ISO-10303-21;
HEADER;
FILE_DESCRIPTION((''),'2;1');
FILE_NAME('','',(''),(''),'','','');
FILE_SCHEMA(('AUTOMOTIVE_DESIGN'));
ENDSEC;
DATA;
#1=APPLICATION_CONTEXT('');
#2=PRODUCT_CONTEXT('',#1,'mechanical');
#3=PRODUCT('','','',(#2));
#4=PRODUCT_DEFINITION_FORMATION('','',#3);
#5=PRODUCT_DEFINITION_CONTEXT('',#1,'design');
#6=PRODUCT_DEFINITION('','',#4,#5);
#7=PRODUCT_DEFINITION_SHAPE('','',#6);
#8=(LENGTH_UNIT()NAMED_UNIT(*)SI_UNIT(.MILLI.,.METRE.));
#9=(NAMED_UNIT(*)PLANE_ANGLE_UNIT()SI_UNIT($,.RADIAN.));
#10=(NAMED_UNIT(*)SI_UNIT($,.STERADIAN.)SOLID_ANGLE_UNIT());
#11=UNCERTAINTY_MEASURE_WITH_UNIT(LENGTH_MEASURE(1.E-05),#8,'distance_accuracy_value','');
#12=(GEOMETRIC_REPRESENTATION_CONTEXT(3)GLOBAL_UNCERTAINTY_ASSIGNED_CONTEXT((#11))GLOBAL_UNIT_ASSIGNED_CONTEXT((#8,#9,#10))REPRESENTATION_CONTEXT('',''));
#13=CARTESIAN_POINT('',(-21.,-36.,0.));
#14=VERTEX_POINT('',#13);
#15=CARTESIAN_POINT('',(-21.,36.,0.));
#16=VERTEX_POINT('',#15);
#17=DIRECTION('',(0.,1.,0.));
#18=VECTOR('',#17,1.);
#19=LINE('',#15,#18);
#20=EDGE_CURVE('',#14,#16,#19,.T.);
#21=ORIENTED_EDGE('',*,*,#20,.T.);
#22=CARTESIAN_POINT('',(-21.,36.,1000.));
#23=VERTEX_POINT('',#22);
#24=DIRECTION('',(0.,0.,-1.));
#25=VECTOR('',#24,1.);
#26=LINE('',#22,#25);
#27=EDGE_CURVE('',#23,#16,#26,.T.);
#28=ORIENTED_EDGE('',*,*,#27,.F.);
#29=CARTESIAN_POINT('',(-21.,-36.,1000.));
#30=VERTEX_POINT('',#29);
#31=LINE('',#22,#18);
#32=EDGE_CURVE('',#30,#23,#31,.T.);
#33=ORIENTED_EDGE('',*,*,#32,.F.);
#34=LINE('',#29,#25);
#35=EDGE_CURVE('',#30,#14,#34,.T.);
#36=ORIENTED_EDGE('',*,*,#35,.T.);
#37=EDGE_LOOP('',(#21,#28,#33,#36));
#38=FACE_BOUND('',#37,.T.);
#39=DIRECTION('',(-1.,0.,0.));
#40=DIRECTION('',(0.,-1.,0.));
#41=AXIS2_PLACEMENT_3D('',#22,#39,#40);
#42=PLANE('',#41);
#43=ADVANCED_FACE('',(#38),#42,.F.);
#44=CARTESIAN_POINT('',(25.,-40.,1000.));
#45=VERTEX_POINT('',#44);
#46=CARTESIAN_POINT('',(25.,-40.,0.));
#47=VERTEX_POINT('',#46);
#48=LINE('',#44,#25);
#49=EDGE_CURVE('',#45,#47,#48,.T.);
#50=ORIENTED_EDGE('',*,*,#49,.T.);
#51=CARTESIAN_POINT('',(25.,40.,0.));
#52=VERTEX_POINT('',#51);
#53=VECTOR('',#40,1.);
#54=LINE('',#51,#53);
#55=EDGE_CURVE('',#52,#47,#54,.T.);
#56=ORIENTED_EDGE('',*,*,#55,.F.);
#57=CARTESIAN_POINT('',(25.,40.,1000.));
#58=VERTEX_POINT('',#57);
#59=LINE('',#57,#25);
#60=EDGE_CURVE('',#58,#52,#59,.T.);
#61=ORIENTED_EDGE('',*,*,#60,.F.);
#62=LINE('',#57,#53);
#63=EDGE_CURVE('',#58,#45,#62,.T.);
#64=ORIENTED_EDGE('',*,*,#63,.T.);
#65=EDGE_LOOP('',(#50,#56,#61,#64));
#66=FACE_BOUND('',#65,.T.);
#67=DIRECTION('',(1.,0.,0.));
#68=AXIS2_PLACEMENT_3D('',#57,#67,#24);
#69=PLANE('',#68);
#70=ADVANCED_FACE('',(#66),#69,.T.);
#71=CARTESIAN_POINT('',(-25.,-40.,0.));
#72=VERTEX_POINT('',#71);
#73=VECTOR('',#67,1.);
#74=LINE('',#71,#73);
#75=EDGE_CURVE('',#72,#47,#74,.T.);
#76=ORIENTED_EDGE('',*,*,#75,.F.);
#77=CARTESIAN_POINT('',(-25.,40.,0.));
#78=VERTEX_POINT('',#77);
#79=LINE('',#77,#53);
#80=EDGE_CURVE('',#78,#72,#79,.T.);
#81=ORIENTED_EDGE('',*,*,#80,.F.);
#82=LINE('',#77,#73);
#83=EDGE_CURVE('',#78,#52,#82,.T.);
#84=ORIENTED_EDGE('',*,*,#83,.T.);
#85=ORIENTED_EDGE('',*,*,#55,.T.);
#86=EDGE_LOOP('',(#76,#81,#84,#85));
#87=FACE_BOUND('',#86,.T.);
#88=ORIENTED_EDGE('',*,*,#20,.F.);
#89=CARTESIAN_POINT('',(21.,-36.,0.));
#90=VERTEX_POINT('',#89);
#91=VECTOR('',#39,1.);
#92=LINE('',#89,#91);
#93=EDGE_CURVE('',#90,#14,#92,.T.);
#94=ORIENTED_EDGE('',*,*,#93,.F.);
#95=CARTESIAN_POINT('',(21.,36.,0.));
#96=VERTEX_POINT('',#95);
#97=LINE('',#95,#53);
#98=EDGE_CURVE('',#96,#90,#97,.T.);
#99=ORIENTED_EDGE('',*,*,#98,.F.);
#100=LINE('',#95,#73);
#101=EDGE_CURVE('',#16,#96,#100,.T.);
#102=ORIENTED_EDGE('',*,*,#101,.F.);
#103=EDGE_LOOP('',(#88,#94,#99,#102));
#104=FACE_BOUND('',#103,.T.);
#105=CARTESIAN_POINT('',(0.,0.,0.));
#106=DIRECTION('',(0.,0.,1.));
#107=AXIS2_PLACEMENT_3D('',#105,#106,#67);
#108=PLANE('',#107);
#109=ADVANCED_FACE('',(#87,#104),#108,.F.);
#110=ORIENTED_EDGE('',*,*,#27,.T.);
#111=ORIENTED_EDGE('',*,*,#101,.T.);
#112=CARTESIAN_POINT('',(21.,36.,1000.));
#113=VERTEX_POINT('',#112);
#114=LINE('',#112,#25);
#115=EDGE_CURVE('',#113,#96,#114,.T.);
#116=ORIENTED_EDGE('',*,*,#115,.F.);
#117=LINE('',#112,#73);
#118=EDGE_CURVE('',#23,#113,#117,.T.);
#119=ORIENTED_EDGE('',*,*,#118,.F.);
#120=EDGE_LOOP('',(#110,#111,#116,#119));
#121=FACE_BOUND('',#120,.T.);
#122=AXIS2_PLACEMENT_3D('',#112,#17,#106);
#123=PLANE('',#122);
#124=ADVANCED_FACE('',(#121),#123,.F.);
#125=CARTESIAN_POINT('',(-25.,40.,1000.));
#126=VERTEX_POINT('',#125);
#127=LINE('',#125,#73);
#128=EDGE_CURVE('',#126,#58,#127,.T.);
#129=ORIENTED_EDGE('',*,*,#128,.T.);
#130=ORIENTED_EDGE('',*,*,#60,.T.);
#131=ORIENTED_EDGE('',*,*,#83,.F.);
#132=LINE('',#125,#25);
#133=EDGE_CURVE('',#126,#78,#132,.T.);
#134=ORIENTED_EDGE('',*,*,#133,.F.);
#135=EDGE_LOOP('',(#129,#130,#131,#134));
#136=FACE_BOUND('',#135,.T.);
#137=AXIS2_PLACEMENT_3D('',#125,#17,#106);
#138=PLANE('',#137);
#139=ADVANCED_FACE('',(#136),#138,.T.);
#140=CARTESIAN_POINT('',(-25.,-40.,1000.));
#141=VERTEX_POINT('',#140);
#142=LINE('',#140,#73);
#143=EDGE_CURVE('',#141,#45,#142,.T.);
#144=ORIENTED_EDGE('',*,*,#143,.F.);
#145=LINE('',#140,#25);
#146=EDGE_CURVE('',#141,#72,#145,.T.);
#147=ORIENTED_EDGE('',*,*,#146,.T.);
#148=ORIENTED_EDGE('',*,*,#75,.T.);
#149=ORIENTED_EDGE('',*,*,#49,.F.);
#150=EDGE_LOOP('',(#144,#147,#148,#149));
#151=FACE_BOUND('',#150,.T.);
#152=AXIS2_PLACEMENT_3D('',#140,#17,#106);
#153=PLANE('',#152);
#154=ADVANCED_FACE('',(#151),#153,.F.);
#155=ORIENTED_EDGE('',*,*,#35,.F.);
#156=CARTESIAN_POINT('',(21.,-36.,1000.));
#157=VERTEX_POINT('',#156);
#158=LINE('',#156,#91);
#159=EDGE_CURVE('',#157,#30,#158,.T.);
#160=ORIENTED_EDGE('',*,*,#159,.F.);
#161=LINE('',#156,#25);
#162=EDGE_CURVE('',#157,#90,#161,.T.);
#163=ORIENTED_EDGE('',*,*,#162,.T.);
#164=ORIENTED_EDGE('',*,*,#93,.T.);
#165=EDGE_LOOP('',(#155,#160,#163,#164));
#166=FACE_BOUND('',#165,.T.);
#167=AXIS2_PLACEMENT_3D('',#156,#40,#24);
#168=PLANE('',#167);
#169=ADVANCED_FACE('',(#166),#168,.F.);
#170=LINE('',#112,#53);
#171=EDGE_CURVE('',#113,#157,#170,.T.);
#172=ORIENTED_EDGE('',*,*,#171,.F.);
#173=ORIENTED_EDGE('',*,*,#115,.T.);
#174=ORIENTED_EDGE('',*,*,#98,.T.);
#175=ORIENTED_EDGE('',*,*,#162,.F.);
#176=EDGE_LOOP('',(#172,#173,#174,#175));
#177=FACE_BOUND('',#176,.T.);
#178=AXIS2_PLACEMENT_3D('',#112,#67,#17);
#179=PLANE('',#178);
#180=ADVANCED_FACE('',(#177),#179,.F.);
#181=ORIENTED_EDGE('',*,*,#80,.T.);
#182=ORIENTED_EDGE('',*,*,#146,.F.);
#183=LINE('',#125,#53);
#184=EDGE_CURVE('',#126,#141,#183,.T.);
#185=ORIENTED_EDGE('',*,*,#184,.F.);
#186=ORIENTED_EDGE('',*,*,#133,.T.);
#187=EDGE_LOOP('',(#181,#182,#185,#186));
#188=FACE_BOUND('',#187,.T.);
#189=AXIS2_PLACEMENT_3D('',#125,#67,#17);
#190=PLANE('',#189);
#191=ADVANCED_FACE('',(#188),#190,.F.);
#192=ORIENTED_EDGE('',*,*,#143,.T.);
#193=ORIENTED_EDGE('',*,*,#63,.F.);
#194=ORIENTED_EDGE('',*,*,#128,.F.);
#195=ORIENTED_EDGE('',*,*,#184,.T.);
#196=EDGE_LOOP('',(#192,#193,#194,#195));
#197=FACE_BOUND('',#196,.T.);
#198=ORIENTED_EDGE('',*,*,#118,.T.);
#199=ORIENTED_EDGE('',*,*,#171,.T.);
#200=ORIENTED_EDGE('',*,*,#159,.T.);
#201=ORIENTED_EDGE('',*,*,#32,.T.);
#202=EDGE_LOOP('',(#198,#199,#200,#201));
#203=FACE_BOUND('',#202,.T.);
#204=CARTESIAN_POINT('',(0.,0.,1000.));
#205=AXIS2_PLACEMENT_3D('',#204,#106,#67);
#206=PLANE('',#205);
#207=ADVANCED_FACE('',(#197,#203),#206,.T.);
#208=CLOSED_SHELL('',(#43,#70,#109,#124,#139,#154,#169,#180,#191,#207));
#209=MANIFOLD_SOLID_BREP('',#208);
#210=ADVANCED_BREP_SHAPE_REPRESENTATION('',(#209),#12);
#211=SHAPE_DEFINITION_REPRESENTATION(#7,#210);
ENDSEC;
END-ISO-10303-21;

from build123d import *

# Parameters (mm, degrees)
SKETCH1_W           = 50
SKETCH1_H           = 80
BOSS_EXTRUDE1_DEPTH = 1000
SKETCH2_W           = 42
SKETCH2_H           = 72
CUT_EXTRUDE1_DEPTH  = 1000


with BuildPart() as part:
    # Sketch1 → Boss-Extrude1 (new body)
    with BuildSketch(Plane.XY):
        Rectangle(SKETCH1_W, SKETCH1_H)
    extrude(amount=BOSS_EXTRUDE1_DEPTH)

    # Sketch2 → Cut-Extrude1 (cut)
    with BuildSketch(Plane(origin=(0, 0, 0), x_dir=(-1, 0, 0), z_dir=(0, 0, -1))):
        Rectangle(SKETCH2_W, SKETCH2_H)
    extrude(amount=-CUT_EXTRUDE1_DEPTH, mode=Mode.SUBTRACT)


solid = part.part
